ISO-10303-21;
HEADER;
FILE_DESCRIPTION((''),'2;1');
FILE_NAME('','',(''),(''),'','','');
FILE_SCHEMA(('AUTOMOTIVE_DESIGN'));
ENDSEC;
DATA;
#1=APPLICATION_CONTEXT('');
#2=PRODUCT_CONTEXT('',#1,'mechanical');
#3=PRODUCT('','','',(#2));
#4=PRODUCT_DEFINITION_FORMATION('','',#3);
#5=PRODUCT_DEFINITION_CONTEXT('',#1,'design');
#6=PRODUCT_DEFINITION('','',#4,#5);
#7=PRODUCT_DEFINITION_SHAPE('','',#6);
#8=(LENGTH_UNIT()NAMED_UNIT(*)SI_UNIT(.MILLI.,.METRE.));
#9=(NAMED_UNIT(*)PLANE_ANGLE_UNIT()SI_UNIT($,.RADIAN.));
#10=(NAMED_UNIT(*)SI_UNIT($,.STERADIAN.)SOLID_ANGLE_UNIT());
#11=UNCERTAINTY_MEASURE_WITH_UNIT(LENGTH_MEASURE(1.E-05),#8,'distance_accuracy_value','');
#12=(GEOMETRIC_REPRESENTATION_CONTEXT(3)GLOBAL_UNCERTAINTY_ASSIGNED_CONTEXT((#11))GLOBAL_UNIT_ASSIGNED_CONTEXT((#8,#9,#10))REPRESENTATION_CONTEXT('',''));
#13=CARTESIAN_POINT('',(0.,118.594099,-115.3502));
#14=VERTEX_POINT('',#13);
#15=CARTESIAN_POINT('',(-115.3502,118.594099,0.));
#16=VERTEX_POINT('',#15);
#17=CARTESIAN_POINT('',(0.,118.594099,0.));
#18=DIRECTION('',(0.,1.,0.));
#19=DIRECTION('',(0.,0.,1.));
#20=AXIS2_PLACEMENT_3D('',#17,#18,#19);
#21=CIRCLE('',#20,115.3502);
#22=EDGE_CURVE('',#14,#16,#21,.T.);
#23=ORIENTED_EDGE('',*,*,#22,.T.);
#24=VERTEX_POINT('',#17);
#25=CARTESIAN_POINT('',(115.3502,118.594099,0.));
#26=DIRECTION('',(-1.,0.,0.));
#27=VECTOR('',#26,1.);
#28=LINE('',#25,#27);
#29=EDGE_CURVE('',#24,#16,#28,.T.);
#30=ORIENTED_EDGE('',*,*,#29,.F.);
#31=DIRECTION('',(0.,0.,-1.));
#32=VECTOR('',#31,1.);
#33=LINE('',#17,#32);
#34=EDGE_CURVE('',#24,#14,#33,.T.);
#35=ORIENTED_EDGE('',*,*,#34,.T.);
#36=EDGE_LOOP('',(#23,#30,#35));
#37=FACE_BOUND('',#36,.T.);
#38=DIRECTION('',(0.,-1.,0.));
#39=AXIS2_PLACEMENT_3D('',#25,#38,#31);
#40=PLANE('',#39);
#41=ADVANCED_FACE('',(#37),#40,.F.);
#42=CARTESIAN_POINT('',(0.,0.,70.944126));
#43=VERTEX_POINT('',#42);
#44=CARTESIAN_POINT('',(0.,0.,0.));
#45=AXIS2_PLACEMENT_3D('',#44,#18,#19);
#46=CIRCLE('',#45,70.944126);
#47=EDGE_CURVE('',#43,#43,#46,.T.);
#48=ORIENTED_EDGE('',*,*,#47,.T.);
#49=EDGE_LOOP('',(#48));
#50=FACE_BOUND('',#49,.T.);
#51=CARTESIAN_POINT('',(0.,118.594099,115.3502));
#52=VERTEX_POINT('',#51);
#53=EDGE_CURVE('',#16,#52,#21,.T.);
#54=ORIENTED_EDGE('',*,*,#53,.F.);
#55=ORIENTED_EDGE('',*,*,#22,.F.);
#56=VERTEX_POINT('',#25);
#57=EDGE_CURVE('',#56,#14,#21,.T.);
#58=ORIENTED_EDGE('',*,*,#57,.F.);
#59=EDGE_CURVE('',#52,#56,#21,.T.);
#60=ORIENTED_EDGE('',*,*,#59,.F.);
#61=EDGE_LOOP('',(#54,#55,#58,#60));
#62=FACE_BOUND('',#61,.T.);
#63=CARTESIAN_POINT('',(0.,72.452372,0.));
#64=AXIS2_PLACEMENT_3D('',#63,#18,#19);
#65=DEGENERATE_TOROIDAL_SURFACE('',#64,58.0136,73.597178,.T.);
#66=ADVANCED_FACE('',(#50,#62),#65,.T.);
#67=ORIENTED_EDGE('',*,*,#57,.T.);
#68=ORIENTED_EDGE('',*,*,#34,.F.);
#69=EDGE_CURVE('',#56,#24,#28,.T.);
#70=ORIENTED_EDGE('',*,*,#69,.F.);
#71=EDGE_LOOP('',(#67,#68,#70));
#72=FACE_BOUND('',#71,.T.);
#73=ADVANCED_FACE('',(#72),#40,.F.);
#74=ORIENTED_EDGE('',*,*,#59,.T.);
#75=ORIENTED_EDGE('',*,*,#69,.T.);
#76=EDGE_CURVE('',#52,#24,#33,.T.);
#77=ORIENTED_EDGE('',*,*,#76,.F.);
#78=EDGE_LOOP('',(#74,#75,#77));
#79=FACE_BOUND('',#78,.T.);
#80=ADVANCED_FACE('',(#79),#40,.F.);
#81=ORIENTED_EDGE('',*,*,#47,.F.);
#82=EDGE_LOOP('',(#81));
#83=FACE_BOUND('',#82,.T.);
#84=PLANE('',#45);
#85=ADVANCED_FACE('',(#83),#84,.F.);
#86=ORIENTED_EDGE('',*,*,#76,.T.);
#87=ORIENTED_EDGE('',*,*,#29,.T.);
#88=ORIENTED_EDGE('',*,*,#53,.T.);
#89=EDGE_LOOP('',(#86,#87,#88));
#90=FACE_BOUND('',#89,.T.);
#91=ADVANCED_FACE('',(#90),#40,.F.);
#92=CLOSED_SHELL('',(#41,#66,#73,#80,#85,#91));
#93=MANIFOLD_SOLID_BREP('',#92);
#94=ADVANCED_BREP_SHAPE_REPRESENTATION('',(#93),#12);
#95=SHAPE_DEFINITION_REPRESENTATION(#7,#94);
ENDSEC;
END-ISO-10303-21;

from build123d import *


with BuildPart() as part:
    # Sketch1 → Revolve6 (revolve)
    with BuildSketch(Plane.XY, mode=Mode.PRIVATE) as revolve6_sk:
        with BuildLine():
            Line((0, 0), (70.944125676, 0))
            ThreePointArc((70.944125676, 0), (126.937524082, 46.644672122), (115.350199907, 118.59409895))
            Line((115.350199907, 118.59409895), (0, 118.59409895))
            Line((0, 118.59409895), (0, 0))
        make_face()
    revolve(revolve6_sk.sketch.rotate(Axis((0, 197.005351052, 0), (0, -1, 0)), 90), axis=Axis((0, 197.005351052, 0), (0, -1, 0)))


solid = part.part
